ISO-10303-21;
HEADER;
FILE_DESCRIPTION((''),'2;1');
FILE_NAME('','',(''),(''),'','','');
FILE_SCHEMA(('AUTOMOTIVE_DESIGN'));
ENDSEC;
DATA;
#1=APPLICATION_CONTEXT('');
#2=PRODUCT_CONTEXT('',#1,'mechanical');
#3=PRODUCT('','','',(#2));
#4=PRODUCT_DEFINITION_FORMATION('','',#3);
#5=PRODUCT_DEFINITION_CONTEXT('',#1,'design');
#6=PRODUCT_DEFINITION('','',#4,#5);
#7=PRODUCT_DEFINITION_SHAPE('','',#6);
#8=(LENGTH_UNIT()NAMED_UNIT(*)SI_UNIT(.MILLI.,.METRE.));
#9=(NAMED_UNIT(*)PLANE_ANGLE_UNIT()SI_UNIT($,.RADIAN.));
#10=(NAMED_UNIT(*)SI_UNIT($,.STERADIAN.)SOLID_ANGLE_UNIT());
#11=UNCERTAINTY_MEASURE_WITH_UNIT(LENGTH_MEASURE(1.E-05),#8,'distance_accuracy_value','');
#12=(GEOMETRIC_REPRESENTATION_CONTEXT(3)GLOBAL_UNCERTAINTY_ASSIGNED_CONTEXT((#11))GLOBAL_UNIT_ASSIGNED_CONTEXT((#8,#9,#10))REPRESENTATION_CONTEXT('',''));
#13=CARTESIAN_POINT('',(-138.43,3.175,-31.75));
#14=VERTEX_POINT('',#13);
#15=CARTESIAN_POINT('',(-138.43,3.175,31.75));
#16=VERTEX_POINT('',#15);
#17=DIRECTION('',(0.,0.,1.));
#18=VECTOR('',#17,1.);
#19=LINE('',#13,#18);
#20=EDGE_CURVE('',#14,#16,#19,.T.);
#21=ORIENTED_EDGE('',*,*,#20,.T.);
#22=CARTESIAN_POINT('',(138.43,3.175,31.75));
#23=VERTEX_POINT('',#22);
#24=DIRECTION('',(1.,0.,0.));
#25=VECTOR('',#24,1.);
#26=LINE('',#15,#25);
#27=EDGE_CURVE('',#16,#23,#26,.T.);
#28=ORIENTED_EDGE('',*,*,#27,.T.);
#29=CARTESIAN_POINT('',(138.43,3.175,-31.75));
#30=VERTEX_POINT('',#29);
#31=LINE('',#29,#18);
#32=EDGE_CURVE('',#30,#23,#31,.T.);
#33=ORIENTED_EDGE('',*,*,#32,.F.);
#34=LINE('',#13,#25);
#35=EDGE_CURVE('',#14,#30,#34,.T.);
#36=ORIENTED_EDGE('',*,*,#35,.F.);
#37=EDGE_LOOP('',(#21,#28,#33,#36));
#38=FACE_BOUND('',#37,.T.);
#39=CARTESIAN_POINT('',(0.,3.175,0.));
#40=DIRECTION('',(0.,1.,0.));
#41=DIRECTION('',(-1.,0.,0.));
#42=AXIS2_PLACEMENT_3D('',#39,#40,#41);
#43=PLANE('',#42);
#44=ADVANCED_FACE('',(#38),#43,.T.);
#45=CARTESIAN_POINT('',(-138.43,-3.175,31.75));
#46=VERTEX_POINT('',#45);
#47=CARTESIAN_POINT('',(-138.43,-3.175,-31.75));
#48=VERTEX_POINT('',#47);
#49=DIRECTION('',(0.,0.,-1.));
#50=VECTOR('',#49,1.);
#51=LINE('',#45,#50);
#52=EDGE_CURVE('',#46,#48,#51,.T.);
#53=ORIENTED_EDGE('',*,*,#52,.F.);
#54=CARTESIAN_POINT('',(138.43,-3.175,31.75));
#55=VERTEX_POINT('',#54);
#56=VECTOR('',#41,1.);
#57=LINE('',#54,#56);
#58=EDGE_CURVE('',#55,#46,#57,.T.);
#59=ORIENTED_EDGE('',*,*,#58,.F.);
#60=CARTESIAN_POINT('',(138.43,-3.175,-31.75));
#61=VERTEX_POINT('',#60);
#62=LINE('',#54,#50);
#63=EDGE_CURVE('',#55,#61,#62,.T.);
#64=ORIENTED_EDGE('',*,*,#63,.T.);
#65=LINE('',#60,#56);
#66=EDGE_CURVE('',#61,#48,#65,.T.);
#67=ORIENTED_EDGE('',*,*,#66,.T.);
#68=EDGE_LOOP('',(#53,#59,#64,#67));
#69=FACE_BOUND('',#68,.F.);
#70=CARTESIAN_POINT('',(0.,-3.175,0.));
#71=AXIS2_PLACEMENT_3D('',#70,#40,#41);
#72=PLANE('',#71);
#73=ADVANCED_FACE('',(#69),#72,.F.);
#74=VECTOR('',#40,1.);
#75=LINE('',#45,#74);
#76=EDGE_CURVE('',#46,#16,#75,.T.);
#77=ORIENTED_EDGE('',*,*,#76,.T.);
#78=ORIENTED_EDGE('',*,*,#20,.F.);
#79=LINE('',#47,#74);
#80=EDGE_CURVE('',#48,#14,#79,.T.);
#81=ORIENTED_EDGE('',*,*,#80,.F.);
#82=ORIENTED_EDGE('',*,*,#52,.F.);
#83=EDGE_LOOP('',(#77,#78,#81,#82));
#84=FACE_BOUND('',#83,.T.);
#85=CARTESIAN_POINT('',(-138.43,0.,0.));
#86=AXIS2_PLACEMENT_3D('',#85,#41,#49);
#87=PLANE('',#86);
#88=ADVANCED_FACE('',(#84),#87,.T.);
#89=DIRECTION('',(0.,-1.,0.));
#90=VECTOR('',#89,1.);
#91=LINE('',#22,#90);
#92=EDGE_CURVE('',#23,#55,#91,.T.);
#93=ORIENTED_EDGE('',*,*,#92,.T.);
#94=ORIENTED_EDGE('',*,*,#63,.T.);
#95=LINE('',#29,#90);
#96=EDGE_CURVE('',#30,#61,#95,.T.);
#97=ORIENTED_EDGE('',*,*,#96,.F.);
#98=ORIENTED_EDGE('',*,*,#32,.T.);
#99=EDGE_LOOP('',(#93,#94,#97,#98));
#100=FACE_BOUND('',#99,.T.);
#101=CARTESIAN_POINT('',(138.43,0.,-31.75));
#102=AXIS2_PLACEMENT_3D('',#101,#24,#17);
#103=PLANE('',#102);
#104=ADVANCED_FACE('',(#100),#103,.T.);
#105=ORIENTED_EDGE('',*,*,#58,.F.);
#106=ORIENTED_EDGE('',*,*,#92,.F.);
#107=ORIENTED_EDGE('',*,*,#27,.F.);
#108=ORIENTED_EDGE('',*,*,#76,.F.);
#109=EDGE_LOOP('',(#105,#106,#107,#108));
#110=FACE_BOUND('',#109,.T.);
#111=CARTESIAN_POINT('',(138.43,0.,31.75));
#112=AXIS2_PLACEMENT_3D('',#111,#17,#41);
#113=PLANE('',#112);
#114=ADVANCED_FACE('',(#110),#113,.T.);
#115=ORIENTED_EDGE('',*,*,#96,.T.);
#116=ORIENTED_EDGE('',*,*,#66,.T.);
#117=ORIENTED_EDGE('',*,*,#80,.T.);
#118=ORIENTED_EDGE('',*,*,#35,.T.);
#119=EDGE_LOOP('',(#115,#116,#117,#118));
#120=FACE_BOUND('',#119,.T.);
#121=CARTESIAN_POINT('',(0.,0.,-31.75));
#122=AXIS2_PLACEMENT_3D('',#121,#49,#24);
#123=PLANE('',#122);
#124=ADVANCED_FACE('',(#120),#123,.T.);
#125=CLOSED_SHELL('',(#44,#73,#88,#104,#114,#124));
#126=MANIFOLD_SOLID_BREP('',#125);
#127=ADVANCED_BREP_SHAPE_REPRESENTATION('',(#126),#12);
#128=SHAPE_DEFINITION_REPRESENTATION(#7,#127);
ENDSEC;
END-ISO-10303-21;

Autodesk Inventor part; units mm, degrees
ref_plane "YZ Plane" through (0, 0, 0) normal (1, 0, 0) x (0, 1, 0)
ref_plane "XZ Plane" through (0, 0, 0) normal (0, 1, 0) x (-1, 0, 0)
ref_plane "XY Plane" through (0, 0, 0) normal (0, 0, 1) x (1, 0, 0)
sketch "Sketch1" plane through (0, 0, 0) normal (0, 1, 0) x (-1, 0, 0)
  line L0 (0, -44.45) -> (0, 44.45) projected
  line L1 (-193.802, 0) -> (193.802, 0) projected
  line L2 (-138.43, 31.75) -> (138.43, 31.75)
  line L3 (138.43, 31.75) -> (138.43, -31.75)
  line L4 (138.43, -31.75) -> (-138.43, -31.75)
  line L5 (-138.43, -31.75) -> (-138.43, 31.75)
  line L6 (-138.43, 31.75) -> (138.43, -31.75) construction
  line L7 (138.43, 31.75) -> (-138.43, -31.75) construction
  point P0 (0, 0)
  dimension "d0" = 276.86
  dimension "d1" = 63.5
extrude "Extrusion1" add sketch "Sketch1" along normal mid plane 6.35
properties part number "MFLMLMRMFR"
